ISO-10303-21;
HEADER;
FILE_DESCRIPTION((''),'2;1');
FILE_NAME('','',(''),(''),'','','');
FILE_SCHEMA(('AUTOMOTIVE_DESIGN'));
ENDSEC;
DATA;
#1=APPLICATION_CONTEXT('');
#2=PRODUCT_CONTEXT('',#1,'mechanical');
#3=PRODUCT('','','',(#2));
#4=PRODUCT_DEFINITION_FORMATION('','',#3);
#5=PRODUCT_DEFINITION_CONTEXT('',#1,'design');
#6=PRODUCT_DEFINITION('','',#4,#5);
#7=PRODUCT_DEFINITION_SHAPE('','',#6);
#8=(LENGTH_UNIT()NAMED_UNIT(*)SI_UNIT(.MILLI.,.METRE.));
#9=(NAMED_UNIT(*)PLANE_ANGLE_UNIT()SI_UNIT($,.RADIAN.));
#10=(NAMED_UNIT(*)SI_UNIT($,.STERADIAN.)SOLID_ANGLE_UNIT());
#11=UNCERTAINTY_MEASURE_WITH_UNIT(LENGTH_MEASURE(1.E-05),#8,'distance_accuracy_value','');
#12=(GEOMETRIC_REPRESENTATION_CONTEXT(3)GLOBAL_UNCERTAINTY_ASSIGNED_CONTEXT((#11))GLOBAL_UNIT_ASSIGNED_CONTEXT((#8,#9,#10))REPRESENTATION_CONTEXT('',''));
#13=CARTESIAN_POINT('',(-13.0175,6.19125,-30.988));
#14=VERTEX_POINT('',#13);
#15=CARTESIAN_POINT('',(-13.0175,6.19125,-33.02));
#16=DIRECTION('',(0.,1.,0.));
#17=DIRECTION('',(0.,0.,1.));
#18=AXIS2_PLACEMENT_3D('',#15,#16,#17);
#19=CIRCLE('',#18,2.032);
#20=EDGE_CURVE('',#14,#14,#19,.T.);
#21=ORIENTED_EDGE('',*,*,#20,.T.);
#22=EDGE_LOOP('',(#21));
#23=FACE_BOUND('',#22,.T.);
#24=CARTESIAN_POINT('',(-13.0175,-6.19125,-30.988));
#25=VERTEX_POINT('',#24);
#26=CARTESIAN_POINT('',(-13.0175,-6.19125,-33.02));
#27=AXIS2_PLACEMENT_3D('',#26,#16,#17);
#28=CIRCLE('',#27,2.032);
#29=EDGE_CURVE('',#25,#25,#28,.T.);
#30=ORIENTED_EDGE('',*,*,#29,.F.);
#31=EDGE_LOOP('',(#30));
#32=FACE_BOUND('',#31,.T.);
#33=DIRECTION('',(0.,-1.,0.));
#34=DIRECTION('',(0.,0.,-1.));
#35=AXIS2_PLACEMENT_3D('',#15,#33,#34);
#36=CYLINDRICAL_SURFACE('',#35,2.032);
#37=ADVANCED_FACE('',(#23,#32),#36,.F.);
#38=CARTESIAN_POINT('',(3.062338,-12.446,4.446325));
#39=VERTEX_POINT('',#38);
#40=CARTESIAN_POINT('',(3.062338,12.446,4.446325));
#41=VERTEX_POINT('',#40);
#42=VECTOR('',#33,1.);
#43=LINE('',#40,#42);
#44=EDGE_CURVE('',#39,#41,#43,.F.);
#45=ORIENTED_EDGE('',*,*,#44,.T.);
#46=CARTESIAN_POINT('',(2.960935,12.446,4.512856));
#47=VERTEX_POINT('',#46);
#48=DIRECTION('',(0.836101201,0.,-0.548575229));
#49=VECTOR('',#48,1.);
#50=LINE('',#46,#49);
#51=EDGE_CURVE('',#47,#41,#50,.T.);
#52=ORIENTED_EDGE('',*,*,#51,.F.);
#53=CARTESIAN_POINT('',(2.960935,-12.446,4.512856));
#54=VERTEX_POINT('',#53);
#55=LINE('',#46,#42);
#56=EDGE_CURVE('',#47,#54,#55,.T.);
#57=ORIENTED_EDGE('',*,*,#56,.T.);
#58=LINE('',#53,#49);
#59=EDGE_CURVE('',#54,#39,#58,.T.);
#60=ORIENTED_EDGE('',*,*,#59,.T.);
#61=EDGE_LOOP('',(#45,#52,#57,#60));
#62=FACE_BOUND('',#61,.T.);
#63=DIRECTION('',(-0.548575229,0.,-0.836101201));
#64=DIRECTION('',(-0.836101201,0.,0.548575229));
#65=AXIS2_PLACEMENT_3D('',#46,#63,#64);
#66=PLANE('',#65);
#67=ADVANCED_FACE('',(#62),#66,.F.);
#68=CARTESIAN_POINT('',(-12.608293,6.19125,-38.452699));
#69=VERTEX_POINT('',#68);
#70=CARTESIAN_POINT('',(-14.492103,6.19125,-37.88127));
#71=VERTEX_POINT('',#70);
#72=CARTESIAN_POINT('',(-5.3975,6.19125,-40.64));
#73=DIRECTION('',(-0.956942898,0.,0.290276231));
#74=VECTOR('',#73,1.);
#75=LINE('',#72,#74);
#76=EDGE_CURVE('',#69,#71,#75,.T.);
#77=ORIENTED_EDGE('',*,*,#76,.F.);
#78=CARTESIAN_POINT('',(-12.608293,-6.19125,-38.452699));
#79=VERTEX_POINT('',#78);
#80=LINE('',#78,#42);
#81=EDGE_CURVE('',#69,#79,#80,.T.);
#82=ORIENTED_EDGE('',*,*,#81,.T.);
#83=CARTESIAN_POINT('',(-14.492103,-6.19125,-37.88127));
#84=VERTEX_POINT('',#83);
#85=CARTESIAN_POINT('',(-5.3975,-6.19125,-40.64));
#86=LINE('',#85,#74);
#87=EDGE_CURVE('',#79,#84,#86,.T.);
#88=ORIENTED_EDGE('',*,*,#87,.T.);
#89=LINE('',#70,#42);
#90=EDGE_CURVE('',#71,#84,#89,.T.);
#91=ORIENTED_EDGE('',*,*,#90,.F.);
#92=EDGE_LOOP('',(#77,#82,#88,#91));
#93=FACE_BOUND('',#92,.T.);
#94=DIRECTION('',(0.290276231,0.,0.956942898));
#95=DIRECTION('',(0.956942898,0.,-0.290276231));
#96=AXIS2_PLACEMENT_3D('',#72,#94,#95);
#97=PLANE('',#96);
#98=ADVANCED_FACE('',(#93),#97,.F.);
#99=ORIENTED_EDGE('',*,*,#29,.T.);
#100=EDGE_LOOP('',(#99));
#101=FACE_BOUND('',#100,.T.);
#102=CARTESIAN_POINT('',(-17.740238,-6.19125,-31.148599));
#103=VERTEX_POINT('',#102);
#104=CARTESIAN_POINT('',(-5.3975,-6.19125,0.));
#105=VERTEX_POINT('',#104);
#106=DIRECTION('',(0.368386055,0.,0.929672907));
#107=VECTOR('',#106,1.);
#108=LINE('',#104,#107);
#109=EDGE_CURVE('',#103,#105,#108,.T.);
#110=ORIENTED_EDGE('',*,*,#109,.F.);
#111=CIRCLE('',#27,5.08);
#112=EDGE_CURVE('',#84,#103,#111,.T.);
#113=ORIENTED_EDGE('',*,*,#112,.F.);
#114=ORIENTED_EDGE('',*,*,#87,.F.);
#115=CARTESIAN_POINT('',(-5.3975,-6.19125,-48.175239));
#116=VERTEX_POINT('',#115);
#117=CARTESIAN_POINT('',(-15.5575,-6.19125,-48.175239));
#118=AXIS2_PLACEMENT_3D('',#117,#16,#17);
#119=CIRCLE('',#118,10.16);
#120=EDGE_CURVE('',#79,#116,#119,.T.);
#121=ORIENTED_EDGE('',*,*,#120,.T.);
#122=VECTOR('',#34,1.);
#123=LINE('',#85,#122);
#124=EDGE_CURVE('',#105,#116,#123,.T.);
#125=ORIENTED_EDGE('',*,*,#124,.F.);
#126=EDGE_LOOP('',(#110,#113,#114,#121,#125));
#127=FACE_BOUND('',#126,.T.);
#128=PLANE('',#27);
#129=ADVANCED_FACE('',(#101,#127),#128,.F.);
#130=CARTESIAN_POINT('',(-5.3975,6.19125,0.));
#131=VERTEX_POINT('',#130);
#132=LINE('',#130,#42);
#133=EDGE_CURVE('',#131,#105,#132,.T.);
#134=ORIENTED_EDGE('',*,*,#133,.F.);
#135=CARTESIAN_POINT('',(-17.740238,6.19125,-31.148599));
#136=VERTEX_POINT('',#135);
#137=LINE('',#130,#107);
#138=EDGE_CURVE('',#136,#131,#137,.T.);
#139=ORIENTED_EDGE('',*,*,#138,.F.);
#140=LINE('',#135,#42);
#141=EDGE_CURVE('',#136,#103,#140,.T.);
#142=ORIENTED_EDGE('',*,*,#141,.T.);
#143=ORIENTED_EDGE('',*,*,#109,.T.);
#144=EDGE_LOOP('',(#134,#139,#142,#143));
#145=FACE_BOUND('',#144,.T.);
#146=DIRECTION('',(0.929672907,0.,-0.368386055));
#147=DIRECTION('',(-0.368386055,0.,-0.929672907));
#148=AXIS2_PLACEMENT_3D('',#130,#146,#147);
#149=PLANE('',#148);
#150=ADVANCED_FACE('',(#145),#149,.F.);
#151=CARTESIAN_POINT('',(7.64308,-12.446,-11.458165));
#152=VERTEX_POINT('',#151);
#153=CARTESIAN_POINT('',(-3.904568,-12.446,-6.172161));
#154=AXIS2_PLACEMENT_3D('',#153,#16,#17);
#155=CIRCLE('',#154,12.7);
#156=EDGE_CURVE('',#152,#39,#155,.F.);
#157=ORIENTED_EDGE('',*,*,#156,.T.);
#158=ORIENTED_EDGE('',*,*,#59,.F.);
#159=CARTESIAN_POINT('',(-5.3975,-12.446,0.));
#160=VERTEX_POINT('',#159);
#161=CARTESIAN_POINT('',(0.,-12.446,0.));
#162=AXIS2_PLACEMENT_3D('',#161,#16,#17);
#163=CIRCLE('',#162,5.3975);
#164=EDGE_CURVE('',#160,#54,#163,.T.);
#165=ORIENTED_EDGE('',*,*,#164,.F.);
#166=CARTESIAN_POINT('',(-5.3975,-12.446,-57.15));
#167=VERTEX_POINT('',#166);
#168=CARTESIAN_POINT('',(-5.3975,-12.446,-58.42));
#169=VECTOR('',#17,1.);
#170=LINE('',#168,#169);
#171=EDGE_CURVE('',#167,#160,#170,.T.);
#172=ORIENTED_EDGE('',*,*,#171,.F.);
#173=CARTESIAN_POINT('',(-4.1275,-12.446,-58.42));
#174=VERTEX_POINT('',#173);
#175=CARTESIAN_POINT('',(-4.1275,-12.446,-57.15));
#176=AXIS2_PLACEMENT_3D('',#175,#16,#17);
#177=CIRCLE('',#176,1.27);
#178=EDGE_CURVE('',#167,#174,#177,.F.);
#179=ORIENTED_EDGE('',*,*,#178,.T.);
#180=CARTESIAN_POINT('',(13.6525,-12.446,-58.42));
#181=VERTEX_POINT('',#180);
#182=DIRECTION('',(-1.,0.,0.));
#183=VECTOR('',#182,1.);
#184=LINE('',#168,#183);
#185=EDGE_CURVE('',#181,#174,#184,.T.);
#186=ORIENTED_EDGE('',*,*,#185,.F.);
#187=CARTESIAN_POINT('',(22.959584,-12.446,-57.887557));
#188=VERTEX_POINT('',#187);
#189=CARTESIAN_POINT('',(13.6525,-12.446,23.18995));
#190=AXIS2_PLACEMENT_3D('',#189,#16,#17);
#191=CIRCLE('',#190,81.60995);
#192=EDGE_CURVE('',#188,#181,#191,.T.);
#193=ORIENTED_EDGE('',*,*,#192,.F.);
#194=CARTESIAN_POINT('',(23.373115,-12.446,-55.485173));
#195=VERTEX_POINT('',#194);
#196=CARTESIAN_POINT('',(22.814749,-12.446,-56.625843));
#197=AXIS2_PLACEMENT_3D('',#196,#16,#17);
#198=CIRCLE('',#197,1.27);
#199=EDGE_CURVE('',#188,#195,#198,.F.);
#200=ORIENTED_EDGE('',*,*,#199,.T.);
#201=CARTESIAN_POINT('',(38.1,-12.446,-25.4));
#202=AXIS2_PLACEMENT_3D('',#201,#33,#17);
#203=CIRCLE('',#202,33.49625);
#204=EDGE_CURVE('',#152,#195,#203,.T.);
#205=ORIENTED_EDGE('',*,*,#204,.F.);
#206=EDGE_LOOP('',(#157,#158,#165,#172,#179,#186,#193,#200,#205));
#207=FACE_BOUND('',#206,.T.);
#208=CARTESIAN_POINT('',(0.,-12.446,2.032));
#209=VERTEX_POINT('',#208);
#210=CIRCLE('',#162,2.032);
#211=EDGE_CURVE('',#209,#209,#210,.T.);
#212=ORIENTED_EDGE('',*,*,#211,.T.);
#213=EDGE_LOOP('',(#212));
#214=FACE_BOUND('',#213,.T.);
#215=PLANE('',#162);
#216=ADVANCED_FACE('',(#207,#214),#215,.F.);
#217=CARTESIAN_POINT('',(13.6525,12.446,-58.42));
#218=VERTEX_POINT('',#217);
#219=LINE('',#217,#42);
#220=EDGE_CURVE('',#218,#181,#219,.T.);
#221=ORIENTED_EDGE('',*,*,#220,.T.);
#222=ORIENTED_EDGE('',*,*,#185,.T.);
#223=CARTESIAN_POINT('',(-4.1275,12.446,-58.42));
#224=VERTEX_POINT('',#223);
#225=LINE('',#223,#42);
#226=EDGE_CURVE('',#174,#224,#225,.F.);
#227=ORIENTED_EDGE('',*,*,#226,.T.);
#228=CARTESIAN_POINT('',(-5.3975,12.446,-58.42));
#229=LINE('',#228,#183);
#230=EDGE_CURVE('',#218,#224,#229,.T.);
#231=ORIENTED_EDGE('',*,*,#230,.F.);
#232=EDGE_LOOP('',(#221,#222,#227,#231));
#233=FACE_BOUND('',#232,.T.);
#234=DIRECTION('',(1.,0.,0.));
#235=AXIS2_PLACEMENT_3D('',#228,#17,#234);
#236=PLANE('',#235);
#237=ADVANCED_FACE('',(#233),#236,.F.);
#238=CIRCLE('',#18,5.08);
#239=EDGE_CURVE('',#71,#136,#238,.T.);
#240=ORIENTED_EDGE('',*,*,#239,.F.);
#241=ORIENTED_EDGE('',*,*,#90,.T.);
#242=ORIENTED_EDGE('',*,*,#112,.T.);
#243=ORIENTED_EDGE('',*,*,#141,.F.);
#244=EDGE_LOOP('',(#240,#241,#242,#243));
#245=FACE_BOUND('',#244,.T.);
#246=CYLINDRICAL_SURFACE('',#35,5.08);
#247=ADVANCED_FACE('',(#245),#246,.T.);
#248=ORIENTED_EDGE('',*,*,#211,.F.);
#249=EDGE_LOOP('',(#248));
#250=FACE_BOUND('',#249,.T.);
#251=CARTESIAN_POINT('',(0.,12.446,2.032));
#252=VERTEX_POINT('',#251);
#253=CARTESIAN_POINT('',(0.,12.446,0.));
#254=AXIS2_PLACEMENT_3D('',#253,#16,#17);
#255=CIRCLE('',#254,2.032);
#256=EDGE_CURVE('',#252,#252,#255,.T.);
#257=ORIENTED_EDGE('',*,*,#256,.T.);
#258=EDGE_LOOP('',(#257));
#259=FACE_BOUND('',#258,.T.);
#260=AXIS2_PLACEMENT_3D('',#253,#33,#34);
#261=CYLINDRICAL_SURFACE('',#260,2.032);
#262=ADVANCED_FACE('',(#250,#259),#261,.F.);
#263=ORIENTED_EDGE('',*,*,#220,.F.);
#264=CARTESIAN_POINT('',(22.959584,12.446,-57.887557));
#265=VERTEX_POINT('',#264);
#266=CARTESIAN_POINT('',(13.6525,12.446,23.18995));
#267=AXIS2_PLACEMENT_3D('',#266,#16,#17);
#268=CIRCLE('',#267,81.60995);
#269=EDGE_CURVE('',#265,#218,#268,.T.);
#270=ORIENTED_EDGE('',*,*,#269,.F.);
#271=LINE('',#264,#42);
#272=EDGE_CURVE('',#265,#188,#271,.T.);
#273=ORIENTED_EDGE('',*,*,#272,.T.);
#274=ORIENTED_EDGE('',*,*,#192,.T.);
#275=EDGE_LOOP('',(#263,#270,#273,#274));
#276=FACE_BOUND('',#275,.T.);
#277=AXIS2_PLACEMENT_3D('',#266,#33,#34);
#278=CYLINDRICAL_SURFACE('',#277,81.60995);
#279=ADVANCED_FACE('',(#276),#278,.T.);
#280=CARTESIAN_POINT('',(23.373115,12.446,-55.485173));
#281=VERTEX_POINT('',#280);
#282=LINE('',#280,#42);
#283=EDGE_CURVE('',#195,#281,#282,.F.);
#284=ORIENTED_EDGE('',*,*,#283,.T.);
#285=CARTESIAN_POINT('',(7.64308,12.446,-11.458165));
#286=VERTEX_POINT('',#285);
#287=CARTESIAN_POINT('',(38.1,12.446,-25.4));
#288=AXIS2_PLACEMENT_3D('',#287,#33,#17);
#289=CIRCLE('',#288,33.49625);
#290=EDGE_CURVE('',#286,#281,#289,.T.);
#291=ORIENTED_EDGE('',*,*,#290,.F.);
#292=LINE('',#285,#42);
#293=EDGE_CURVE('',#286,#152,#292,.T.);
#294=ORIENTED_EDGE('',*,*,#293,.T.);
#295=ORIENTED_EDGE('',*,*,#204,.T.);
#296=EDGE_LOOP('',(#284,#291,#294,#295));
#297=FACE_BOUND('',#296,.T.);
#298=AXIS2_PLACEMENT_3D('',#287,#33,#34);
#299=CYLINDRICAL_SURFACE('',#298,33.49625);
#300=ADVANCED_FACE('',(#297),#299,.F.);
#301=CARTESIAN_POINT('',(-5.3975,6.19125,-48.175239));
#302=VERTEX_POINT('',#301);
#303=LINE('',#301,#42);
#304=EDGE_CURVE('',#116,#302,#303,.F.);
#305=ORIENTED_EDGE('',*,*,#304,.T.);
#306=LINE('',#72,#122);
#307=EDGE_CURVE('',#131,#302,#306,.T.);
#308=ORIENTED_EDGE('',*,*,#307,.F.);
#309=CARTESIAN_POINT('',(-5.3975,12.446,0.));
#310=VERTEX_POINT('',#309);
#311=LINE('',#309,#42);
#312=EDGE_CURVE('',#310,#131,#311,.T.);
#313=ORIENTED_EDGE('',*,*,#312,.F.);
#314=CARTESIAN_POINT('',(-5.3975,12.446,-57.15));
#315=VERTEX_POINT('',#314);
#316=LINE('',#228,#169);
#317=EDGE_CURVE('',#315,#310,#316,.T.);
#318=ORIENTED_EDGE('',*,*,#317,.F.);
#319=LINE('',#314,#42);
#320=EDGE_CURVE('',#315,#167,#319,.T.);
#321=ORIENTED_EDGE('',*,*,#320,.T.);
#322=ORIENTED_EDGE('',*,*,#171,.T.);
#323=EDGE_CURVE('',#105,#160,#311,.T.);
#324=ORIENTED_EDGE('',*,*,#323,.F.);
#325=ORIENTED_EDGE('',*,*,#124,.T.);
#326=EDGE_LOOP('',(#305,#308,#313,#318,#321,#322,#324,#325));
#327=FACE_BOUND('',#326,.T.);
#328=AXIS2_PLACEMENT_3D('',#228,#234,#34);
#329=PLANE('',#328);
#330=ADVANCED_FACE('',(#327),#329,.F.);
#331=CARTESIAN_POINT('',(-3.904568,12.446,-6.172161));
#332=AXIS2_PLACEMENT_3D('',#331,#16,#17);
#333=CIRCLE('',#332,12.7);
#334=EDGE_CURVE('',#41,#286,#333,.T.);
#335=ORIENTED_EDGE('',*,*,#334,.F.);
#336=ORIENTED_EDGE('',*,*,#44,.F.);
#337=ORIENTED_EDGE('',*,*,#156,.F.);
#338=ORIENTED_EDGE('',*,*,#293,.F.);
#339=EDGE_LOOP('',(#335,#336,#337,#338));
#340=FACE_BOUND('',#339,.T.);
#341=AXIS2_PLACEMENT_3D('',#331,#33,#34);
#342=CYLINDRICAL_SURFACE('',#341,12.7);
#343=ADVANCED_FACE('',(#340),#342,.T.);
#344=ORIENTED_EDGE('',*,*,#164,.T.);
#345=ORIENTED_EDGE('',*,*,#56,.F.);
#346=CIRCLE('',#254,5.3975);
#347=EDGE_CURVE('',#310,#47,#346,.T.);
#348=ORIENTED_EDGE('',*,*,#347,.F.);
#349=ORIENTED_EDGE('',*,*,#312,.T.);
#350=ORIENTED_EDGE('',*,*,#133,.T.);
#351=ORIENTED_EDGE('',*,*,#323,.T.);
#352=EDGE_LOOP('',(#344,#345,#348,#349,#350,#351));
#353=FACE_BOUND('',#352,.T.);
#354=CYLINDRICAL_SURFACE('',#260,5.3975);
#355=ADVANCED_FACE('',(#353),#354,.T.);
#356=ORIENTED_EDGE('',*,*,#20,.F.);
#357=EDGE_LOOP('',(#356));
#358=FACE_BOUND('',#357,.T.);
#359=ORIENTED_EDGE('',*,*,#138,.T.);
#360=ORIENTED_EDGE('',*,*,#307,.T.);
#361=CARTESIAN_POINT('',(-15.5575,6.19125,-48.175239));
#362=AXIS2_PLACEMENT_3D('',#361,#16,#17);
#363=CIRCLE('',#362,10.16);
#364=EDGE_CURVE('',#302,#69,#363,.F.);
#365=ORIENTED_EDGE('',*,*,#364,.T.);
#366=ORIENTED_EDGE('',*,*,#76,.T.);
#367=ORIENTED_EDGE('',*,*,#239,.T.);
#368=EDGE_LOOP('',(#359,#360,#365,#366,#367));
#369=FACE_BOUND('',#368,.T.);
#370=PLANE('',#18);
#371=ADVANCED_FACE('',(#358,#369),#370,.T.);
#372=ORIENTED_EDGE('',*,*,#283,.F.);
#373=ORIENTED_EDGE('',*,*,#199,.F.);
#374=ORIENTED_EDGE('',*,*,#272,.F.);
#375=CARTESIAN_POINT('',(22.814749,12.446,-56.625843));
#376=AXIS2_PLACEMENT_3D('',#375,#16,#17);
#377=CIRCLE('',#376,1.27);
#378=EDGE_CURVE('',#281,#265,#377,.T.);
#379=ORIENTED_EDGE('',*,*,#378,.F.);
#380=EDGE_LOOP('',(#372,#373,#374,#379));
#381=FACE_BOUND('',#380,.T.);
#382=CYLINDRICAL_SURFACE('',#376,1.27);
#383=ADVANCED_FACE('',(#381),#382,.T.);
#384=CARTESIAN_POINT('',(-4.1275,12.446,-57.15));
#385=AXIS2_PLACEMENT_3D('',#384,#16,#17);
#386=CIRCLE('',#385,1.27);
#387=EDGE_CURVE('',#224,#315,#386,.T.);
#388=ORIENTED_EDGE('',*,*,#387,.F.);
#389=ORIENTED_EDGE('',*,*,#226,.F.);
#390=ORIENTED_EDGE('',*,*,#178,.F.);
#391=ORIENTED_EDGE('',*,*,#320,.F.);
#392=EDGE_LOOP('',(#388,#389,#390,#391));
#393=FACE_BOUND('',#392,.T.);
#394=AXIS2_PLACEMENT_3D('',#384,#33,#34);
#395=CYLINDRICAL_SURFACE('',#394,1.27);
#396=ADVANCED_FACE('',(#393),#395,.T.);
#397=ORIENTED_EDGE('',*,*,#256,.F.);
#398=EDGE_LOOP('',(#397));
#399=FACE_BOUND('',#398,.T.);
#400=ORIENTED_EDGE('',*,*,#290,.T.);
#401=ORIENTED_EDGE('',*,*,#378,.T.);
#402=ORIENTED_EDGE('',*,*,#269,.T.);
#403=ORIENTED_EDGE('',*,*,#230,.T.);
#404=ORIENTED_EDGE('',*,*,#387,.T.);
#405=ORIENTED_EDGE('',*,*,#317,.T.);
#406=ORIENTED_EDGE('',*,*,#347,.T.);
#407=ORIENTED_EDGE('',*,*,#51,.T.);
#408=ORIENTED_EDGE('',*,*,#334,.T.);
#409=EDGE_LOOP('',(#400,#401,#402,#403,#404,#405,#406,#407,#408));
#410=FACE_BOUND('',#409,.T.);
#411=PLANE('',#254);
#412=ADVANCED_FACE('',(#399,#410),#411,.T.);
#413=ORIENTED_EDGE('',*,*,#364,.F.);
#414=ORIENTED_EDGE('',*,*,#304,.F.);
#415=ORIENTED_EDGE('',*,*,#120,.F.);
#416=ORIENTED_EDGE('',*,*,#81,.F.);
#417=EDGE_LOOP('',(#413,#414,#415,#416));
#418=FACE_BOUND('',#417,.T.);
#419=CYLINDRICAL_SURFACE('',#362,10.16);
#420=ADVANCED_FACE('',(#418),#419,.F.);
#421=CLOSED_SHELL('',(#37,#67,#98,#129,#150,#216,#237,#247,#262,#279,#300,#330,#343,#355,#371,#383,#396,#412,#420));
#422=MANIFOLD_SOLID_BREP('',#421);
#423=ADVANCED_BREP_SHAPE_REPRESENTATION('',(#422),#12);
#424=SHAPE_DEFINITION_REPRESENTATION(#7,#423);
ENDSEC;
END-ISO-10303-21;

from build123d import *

# Parameters (mm, degrees)
SKETCH1_R           = 2.032
BOSS_EXTRUDE1_DEPTH = 12.446
FILLET2_R           = 12.7
SKETCH2_R           = 2.032
BOSS_EXTRUDE2_DEPTH = 6.19125
FILLET7_R           = 10.16
FILLET8_R           = 1.27


with BuildPart() as part:
    # Sketch1 → Boss-Extrude1 (new, symmetric)
    with BuildSketch(Plane(origin=(0, 0, 0), x_dir=(1, 0, 0), z_dir=(0, 1, 0))):
        with BuildLine():
            Line((2.960934797, -4.512856233), (13.6525, 2.501997733))
            ThreePointArc((13.6525, 2.501997733), (5.644977773, 33.686754268), (27.6225, 57.215416983))
            ThreePointArc((27.6225, 57.215416983), (20.663418632, 58.118296563), (13.6525, 58.42))
            Line((13.6525, 58.42), (-5.3975, 58.42))
            Line((-5.3975, 58.42), (-5.3975, 0))
            ThreePointArc((-5.3975, 0), (-2.56430894, -4.749455328), (2.960934797, -4.512856233))
        make_face()
        with Locations(Location((0, 0, 0), (0, 0, 270))):
            Circle(SKETCH1_R, mode=Mode.SUBTRACT)
    extrude(amount=BOSS_EXTRUDE1_DEPTH, both=True)

    # Fillet2
    fillet2_edges = [part.edges().sort_by_distance(p)[0] for p in [
        (13.6525, 0, -2.501997733),
    ]]
    fillet(fillet2_edges, radius=FILLET2_R)

    # Sketch2 → Boss-Extrude2 (add, symmetric)
    with BuildSketch(Plane(origin=(0, 0, 0), x_dir=(1, 0, 0), z_dir=(0, 1, 0))):
        with BuildLine():
            Line((-5.3975, 40.64), (-14.492103254, 37.881269921))
            ThreePointArc((-14.492103254, 37.881269921), (-17.59286619, 35.227356842), (-17.740238368, 31.148598838))
            Line((-17.740238368, 31.148598838), (-5.3975, 0))
            Line((-5.3975, 0), (-5.3975, 40.64))
        make_face()
        with Locations(Location((-13.0175, 33.02, 0), (0, 0, 270))):
            Circle(SKETCH2_R, mode=Mode.SUBTRACT)
    extrude(amount=BOSS_EXTRUDE2_DEPTH, both=True)

    # Fillet7
    fillet7_edges = [part.edges().sort_by_distance(p)[0] for p in [
        (-5.3975, 0, -40.64),
    ]]
    fillet(fillet7_edges, radius=FILLET7_R)

    # Fillet8
    fillet8_edges = [part.edges().sort_by_distance(p)[0] for p in [
        (-5.3975, 0, -58.42),
        (27.6225, 0, -57.215416983),
    ]]
    fillet(fillet8_edges, radius=FILLET8_R)


solid = part.part
